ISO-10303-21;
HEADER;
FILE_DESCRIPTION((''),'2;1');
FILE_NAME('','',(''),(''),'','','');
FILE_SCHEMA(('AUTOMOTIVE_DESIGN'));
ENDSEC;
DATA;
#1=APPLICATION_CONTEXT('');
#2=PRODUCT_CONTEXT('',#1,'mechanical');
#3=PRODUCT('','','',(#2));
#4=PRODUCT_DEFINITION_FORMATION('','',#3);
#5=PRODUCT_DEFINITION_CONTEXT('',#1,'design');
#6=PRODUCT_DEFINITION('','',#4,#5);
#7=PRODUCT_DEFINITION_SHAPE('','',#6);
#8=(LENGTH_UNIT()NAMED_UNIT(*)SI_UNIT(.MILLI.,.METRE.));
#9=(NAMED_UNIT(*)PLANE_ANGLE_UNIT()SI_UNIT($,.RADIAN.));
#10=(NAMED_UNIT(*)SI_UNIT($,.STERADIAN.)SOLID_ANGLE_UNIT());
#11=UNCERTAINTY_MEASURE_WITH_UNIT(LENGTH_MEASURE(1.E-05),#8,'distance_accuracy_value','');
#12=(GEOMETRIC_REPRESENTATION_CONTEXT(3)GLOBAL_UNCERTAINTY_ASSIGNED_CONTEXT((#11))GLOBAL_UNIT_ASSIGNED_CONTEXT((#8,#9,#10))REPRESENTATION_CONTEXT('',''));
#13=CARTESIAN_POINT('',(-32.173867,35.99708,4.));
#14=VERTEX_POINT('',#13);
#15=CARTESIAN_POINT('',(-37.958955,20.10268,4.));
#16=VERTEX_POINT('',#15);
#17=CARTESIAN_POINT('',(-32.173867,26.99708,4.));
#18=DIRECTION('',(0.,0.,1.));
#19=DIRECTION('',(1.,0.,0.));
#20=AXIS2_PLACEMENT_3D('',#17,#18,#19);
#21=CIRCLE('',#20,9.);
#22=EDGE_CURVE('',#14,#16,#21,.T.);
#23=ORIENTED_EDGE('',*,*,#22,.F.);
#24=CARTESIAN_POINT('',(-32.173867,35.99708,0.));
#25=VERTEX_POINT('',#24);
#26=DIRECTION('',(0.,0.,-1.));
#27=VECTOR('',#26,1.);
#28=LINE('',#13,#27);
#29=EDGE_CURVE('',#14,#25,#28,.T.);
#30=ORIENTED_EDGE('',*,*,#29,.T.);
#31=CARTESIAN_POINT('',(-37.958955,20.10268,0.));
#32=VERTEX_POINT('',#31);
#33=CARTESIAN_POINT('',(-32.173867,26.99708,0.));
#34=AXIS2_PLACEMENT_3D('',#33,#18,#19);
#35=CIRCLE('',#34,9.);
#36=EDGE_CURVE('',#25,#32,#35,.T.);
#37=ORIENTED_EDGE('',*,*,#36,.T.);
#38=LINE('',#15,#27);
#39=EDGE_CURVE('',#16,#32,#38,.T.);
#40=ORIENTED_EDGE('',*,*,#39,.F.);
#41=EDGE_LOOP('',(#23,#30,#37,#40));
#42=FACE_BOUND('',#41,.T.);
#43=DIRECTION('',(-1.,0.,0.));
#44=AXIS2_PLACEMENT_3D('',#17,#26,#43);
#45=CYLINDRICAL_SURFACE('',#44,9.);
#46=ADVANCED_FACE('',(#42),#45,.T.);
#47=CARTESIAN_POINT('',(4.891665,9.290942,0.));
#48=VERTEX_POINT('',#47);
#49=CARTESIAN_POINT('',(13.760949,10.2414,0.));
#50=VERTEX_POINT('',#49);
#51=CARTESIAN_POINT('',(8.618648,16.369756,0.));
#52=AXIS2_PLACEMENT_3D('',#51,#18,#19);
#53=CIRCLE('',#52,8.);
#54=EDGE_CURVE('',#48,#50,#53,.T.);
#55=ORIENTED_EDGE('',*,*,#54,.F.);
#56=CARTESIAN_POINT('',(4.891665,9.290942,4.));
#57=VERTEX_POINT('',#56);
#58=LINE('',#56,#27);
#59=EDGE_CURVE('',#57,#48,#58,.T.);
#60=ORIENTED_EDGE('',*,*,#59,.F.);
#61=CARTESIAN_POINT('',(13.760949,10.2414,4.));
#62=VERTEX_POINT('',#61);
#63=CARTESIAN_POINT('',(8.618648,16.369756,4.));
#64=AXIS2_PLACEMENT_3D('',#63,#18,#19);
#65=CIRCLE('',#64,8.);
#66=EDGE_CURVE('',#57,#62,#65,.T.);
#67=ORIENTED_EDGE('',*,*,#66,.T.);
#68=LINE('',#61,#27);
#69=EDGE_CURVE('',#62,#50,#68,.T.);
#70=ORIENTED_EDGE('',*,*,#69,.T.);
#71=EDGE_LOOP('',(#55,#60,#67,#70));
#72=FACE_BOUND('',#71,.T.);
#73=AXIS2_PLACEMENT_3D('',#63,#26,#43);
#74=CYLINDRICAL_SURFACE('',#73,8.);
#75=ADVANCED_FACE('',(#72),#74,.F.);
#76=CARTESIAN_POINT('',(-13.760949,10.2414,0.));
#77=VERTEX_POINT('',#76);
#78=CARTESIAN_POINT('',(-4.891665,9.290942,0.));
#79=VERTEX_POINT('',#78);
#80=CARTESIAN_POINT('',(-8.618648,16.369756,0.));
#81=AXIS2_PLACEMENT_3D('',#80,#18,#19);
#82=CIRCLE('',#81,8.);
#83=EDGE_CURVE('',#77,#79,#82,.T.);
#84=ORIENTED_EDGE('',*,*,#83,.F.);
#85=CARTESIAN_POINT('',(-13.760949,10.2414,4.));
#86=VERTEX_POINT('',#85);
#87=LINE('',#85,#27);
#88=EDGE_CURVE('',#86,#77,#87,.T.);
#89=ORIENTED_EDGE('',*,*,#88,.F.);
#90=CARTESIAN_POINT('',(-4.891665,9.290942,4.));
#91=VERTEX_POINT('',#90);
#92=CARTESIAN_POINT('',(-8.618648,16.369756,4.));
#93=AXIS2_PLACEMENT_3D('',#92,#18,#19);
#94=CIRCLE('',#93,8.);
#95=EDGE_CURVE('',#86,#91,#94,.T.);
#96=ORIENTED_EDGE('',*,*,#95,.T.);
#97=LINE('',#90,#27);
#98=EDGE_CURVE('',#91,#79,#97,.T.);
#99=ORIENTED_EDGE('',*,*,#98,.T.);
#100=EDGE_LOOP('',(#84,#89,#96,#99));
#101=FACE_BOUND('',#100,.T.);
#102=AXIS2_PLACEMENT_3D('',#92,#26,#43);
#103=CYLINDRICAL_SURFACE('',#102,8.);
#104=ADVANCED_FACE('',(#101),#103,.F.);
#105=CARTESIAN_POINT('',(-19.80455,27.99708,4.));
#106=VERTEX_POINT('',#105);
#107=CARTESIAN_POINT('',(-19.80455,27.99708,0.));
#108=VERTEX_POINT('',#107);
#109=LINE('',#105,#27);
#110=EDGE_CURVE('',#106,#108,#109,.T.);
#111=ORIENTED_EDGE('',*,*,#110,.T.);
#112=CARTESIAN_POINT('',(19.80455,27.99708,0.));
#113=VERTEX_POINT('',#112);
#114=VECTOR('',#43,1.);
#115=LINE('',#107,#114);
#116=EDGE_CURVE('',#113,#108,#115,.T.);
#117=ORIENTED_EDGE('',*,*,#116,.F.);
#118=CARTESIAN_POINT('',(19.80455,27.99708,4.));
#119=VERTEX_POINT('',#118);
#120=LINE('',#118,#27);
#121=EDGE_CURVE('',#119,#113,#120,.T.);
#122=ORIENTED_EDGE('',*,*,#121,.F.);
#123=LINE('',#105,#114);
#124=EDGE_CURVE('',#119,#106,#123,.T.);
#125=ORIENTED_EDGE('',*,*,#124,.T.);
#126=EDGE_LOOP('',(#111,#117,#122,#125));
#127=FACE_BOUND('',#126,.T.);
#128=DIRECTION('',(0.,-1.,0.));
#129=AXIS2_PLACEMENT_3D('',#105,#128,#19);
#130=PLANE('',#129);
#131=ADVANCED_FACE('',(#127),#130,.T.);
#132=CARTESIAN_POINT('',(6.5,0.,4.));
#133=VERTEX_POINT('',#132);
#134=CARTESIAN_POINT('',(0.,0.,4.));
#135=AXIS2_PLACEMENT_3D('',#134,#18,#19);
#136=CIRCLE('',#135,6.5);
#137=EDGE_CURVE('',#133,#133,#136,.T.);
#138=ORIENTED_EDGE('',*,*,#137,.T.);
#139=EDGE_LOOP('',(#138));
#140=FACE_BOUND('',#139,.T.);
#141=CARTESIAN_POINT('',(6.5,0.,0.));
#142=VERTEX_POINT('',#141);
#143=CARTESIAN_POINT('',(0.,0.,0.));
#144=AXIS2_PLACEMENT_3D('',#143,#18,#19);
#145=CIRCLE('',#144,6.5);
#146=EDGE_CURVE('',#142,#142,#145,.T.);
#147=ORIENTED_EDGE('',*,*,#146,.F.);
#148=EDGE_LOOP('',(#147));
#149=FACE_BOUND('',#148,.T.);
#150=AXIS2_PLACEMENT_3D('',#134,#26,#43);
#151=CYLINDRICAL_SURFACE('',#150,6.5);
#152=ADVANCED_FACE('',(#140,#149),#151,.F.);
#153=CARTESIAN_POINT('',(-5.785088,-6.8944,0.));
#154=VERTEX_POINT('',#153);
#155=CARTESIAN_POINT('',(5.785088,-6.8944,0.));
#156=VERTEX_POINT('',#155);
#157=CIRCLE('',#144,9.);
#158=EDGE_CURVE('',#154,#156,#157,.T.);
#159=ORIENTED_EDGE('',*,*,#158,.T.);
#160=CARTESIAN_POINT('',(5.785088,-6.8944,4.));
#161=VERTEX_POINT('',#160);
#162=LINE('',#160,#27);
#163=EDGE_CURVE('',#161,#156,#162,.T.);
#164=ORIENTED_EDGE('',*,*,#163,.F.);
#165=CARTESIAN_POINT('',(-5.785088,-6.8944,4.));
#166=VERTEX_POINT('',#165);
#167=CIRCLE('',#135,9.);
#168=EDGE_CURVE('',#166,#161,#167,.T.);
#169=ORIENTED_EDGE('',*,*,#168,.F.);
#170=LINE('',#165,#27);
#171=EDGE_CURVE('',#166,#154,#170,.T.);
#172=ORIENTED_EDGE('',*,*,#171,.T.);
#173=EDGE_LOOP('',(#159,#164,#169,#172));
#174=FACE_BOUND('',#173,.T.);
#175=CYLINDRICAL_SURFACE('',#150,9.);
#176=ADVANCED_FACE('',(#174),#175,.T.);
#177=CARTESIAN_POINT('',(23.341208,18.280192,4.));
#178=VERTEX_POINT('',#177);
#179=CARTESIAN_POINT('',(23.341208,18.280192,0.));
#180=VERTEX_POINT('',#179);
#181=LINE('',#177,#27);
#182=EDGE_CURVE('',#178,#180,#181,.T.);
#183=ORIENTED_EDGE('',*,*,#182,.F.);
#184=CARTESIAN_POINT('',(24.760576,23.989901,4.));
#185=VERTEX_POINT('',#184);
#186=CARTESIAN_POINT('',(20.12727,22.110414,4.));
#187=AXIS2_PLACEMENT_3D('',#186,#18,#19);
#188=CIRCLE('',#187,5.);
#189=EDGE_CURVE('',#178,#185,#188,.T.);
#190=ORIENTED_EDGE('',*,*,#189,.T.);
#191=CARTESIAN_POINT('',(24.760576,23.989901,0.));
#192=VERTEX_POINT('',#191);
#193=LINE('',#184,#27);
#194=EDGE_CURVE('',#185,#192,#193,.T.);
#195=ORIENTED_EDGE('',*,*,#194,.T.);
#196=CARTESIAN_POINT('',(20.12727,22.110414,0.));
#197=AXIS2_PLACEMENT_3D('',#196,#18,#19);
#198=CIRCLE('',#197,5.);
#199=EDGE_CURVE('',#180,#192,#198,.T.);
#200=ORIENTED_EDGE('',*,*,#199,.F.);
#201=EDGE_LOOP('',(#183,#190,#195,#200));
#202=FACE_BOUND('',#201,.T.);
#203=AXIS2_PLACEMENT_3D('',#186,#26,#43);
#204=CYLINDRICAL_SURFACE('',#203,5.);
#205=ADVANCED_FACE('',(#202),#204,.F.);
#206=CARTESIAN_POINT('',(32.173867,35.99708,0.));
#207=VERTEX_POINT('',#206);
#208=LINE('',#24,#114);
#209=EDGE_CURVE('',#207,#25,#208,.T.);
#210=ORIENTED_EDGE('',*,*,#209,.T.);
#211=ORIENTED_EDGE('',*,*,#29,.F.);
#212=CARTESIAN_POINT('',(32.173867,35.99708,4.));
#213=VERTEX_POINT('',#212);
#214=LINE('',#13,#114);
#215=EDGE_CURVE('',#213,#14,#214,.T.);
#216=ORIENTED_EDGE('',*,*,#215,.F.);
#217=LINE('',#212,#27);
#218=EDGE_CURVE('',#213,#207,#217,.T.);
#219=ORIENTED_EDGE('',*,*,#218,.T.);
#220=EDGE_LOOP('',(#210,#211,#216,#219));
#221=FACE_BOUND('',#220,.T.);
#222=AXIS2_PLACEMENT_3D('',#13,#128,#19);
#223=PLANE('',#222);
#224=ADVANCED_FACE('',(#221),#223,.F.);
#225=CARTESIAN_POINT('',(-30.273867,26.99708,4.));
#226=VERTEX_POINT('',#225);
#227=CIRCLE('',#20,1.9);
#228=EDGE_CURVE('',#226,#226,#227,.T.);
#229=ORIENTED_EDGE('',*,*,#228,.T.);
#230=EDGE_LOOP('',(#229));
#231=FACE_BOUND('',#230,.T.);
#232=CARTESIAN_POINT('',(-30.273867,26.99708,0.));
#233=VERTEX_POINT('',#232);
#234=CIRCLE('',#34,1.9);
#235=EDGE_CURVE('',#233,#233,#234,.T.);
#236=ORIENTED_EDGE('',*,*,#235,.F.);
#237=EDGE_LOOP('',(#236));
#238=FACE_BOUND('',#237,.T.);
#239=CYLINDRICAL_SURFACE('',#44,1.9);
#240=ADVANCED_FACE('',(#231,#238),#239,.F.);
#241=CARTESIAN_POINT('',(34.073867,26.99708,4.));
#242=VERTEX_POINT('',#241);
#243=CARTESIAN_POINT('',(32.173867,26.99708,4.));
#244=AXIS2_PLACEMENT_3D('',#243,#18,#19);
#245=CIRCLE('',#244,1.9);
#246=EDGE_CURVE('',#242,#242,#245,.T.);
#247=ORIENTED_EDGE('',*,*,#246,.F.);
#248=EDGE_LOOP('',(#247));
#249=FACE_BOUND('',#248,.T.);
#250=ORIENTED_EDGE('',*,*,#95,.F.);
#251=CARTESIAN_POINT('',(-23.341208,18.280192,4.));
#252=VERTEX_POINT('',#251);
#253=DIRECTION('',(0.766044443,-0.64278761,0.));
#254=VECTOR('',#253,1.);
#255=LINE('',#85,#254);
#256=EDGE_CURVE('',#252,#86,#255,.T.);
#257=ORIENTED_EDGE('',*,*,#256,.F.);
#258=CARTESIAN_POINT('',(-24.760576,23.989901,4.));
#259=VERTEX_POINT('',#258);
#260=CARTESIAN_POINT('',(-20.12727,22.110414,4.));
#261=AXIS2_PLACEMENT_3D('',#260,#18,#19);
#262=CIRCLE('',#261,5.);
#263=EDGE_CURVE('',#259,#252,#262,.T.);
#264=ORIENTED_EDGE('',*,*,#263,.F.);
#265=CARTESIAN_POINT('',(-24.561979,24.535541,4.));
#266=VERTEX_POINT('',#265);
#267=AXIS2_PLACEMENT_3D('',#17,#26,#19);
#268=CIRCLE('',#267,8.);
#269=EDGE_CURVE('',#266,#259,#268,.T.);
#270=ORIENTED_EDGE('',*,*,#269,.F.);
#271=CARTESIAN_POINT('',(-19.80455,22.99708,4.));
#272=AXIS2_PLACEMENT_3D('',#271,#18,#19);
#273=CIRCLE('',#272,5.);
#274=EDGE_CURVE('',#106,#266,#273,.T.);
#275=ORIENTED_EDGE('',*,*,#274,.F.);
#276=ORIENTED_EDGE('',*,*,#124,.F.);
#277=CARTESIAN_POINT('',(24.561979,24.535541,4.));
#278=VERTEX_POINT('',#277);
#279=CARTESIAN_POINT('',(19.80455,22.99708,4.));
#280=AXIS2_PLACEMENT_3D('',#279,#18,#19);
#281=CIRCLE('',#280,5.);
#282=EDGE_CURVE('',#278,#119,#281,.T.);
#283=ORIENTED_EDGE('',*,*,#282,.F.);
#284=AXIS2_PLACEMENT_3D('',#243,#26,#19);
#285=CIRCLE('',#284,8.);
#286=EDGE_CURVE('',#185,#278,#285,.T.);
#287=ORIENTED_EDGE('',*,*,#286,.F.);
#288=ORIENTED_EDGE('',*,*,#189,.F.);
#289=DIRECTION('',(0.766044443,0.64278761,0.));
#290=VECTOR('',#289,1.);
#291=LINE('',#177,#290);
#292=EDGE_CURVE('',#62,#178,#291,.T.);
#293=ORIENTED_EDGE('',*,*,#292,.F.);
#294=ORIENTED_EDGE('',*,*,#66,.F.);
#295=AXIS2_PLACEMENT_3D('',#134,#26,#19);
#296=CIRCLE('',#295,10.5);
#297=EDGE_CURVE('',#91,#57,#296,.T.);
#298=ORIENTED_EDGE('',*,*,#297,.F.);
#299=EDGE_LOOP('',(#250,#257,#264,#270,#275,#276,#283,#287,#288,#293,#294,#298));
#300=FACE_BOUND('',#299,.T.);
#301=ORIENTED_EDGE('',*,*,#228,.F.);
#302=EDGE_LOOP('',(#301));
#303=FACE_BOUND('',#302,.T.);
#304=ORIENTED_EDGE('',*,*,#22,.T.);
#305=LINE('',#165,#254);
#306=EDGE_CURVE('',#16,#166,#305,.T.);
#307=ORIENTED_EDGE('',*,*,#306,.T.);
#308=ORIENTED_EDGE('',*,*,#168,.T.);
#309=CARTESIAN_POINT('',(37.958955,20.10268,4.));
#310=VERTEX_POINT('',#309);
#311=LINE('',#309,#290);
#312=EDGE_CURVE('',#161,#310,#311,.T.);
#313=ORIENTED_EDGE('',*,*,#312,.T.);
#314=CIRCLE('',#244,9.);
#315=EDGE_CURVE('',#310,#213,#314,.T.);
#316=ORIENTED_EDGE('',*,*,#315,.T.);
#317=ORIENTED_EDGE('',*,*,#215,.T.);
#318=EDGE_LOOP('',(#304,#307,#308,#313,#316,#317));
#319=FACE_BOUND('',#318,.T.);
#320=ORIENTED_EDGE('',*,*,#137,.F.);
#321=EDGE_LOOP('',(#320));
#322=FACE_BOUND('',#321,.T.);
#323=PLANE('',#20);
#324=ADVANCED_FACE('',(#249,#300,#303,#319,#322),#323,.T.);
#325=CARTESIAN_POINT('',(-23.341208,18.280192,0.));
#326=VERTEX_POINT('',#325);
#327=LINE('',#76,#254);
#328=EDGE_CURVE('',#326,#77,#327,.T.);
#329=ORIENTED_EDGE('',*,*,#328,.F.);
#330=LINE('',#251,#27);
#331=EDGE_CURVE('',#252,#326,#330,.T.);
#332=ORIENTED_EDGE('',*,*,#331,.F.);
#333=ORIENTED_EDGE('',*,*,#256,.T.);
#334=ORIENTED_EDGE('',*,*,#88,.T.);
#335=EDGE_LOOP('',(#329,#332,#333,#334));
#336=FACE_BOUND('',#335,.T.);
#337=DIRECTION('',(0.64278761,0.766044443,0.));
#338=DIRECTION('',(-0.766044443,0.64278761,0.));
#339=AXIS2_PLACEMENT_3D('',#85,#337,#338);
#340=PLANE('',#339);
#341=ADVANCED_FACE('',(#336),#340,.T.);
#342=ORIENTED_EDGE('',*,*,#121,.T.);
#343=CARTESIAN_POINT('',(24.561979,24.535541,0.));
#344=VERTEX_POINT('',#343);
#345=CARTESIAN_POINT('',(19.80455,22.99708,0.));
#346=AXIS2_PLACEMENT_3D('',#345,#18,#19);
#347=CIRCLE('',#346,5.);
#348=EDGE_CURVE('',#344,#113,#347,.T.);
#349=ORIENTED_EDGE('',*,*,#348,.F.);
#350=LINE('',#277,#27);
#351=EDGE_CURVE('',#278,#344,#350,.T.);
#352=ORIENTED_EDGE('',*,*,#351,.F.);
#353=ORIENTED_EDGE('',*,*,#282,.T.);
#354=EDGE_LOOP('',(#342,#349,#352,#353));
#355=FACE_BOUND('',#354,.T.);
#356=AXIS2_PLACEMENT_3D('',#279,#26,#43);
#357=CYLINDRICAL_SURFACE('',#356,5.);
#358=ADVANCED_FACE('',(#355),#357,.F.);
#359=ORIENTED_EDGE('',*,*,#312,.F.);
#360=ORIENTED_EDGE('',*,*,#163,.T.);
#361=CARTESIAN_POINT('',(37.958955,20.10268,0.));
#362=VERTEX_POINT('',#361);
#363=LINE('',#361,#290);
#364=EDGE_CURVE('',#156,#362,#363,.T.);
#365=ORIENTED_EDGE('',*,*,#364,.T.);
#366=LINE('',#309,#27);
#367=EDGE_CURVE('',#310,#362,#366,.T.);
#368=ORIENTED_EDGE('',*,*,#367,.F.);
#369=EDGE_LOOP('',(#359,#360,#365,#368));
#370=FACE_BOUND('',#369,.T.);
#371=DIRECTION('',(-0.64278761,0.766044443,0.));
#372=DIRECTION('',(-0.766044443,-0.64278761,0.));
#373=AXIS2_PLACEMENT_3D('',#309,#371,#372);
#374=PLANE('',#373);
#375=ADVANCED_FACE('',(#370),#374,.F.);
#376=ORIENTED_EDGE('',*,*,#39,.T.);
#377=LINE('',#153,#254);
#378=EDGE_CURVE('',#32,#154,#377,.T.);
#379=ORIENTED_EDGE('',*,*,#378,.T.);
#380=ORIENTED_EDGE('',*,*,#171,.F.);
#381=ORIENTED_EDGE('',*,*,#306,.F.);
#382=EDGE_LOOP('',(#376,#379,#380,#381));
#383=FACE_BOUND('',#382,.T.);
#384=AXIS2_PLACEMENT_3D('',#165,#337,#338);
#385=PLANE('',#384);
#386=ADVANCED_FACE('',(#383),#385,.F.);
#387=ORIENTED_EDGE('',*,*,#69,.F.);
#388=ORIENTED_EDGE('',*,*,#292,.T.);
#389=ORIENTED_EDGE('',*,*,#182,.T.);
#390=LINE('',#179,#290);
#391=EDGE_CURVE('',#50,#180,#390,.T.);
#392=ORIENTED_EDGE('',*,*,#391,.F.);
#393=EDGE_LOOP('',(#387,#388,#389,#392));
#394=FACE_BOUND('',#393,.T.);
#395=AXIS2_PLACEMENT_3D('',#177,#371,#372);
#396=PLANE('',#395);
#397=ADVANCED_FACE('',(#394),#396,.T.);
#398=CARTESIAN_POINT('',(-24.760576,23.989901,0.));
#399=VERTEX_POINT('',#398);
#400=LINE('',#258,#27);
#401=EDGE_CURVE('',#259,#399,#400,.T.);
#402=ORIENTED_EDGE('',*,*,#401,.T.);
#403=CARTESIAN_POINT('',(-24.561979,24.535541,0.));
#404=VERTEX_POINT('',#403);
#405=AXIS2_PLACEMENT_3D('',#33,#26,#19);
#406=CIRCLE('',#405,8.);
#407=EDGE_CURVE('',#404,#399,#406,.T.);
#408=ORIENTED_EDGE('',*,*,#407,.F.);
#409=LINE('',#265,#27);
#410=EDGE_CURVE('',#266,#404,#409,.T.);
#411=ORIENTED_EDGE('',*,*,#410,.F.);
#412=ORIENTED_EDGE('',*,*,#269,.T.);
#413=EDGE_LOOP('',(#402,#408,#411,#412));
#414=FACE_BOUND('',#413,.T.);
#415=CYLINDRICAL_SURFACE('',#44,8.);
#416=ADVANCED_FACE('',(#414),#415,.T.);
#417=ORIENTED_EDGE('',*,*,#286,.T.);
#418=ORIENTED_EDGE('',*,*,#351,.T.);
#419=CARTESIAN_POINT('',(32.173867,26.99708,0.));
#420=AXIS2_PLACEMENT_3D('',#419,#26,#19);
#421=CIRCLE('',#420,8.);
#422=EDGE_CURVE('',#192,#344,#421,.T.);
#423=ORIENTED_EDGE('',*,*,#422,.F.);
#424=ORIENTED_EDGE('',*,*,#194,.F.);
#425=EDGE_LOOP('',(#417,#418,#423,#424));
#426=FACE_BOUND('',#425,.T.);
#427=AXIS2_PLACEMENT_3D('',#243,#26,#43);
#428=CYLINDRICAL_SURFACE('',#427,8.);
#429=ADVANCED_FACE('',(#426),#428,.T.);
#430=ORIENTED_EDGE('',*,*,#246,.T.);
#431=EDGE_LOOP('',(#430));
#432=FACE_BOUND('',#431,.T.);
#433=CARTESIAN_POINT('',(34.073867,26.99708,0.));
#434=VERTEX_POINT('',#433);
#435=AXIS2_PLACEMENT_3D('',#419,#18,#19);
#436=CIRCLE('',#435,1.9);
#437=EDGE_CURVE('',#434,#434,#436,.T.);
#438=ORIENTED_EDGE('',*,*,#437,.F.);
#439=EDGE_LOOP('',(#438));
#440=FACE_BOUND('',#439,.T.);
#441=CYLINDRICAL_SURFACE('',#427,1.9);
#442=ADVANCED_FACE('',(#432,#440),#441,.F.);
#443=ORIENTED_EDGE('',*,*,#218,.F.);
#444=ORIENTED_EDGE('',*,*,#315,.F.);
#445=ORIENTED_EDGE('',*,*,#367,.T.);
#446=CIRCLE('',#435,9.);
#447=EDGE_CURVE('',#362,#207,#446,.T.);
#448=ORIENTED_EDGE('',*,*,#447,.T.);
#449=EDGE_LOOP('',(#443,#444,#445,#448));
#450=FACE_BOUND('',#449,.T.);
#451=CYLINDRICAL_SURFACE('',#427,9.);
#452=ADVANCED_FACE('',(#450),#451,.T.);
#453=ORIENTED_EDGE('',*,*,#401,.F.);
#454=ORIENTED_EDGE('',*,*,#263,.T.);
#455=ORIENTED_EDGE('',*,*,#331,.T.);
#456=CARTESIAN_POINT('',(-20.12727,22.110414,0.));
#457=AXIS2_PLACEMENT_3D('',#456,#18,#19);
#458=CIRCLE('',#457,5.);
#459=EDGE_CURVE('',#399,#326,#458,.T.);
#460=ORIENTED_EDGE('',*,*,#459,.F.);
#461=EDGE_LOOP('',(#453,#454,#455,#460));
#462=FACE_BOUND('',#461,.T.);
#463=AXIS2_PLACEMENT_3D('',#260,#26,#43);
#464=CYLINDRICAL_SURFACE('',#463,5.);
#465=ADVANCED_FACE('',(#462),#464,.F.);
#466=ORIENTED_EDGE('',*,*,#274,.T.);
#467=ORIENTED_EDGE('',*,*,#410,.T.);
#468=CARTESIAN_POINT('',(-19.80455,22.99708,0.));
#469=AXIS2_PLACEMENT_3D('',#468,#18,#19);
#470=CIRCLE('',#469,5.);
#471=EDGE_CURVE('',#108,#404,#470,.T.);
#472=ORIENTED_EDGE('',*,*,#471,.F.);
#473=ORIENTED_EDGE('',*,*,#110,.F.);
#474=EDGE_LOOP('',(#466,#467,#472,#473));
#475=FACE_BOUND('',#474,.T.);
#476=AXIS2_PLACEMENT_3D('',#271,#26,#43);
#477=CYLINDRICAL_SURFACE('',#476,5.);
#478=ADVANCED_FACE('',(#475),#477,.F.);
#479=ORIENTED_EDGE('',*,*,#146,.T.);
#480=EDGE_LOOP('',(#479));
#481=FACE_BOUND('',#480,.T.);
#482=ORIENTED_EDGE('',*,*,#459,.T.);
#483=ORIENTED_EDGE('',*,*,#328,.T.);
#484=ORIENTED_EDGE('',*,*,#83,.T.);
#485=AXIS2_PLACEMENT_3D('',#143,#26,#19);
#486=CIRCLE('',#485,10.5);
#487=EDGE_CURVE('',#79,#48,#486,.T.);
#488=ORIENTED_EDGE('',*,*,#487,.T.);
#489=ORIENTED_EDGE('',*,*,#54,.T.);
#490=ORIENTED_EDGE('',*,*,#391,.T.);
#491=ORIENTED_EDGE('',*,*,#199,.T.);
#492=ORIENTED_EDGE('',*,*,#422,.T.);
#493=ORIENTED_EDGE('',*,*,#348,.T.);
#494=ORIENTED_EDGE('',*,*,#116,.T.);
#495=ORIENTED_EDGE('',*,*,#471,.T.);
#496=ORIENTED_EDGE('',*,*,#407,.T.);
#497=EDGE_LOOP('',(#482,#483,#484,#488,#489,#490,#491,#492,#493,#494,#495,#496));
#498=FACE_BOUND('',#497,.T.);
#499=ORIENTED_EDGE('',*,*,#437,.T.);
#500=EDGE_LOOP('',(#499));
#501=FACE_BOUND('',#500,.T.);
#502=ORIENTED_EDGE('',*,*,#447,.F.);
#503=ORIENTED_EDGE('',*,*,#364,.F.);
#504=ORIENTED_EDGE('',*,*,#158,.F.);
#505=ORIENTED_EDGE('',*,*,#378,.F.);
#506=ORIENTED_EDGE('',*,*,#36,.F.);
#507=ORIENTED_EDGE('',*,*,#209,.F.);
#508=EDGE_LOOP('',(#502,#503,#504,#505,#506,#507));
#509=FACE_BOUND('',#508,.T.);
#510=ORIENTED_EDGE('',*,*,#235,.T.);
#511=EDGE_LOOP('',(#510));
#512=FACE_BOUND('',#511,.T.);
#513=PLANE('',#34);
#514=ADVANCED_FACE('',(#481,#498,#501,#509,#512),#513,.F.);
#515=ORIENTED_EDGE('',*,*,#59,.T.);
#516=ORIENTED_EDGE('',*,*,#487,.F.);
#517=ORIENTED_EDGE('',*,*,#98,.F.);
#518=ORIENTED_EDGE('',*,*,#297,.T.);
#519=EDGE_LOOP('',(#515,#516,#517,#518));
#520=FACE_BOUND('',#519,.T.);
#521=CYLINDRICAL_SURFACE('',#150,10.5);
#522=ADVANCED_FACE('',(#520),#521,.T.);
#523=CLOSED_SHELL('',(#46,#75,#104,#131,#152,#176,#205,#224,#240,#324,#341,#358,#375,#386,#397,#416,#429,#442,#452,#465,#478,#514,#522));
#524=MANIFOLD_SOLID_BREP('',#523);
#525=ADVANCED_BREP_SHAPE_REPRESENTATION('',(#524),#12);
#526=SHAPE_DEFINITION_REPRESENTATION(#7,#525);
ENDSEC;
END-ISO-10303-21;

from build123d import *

# Parameters (mm, degrees)
SKETCH_1_R      = 6.5
SKETCH_1_R_2    = 1.9
EXTRUDE_1_DEPTH = 4


with BuildPart() as part:
    # 草图1 → 凸台-拉伸1 (new body)
    with BuildSketch(Plane.XY):
        with BuildLine():
            Line((-32.173866611, 35.997079607), (32.173866611, 35.997079607))
            ThreePointArc((32.173866611, 35.997079607), (40.631100198, 30.075260897), (37.958955098, 20.102679619))
            Line((37.958955098, 20.102679619), (5.785088487, -6.894399988))
            ThreePointArc((5.785088487, -6.894399988), (0, -9), (-5.785088487, -6.894399988))
            Line((-5.785088487, -6.894399988), (-37.958955098, 20.102679619))
            ThreePointArc((-37.958955098, 20.102679619), (-40.631100198, 30.075260897), (-32.173866611, 35.997079607))
        make_face()
        Circle(SKETCH_1_R, mode=Mode.SUBTRACT)
        with Locations((32.173866611, 26.997079607)):
            Circle(SKETCH_1_R_2, mode=Mode.SUBTRACT)
        with Locations((-32.173866611, 26.997079607)):
            Circle(SKETCH_1_R_2, mode=Mode.SUBTRACT)
        with BuildLine():
            Line((23.341207762, 18.280191535), (13.760949221, 10.241400126))
            ThreePointArc((13.760949221, 10.241400126), (9.471070536, 8.415299285), (4.891665276, 9.290942408))
            ThreePointArc((4.891665276, 9.290942408), (0, 10.5), (-4.891665276, 9.290942408))
            ThreePointArc((-4.891665276, 9.290942408), (-9.471070536, 8.415299285), (-13.760949221, 10.241400126))
            Line((-13.760949221, 10.241400126), (-23.341207762, 18.280191535))
            ThreePointArc((-23.341207762, 18.280191535), (-24.979589386, 20.904182513), (-24.760576213, 23.989900618))
            ThreePointArc((-24.760576213, 23.989900618), (-24.656325645, 24.26091846), (-24.561979302, 24.535541145))
            ThreePointArc((-24.561979302, 24.535541145), (-22.746291761, 27.040117307), (-19.804549734, 27.997079607))
            Line((-19.804549734, 27.997079607), (19.804549734, 27.997079607))
            ThreePointArc((19.804549734, 27.997079607), (22.746291761, 27.040117307), (24.561979302, 24.535541145))
            ThreePointArc((24.561979302, 24.535541145), (24.656325645, 24.26091846), (24.760576213, 23.989900618))
            ThreePointArc((24.760576213, 23.989900618), (24.979589386, 20.904182513), (23.341207762, 18.280191535))
        make_face(mode=Mode.SUBTRACT)
    extrude(amount=EXTRUDE_1_DEPTH)


solid = part.part
